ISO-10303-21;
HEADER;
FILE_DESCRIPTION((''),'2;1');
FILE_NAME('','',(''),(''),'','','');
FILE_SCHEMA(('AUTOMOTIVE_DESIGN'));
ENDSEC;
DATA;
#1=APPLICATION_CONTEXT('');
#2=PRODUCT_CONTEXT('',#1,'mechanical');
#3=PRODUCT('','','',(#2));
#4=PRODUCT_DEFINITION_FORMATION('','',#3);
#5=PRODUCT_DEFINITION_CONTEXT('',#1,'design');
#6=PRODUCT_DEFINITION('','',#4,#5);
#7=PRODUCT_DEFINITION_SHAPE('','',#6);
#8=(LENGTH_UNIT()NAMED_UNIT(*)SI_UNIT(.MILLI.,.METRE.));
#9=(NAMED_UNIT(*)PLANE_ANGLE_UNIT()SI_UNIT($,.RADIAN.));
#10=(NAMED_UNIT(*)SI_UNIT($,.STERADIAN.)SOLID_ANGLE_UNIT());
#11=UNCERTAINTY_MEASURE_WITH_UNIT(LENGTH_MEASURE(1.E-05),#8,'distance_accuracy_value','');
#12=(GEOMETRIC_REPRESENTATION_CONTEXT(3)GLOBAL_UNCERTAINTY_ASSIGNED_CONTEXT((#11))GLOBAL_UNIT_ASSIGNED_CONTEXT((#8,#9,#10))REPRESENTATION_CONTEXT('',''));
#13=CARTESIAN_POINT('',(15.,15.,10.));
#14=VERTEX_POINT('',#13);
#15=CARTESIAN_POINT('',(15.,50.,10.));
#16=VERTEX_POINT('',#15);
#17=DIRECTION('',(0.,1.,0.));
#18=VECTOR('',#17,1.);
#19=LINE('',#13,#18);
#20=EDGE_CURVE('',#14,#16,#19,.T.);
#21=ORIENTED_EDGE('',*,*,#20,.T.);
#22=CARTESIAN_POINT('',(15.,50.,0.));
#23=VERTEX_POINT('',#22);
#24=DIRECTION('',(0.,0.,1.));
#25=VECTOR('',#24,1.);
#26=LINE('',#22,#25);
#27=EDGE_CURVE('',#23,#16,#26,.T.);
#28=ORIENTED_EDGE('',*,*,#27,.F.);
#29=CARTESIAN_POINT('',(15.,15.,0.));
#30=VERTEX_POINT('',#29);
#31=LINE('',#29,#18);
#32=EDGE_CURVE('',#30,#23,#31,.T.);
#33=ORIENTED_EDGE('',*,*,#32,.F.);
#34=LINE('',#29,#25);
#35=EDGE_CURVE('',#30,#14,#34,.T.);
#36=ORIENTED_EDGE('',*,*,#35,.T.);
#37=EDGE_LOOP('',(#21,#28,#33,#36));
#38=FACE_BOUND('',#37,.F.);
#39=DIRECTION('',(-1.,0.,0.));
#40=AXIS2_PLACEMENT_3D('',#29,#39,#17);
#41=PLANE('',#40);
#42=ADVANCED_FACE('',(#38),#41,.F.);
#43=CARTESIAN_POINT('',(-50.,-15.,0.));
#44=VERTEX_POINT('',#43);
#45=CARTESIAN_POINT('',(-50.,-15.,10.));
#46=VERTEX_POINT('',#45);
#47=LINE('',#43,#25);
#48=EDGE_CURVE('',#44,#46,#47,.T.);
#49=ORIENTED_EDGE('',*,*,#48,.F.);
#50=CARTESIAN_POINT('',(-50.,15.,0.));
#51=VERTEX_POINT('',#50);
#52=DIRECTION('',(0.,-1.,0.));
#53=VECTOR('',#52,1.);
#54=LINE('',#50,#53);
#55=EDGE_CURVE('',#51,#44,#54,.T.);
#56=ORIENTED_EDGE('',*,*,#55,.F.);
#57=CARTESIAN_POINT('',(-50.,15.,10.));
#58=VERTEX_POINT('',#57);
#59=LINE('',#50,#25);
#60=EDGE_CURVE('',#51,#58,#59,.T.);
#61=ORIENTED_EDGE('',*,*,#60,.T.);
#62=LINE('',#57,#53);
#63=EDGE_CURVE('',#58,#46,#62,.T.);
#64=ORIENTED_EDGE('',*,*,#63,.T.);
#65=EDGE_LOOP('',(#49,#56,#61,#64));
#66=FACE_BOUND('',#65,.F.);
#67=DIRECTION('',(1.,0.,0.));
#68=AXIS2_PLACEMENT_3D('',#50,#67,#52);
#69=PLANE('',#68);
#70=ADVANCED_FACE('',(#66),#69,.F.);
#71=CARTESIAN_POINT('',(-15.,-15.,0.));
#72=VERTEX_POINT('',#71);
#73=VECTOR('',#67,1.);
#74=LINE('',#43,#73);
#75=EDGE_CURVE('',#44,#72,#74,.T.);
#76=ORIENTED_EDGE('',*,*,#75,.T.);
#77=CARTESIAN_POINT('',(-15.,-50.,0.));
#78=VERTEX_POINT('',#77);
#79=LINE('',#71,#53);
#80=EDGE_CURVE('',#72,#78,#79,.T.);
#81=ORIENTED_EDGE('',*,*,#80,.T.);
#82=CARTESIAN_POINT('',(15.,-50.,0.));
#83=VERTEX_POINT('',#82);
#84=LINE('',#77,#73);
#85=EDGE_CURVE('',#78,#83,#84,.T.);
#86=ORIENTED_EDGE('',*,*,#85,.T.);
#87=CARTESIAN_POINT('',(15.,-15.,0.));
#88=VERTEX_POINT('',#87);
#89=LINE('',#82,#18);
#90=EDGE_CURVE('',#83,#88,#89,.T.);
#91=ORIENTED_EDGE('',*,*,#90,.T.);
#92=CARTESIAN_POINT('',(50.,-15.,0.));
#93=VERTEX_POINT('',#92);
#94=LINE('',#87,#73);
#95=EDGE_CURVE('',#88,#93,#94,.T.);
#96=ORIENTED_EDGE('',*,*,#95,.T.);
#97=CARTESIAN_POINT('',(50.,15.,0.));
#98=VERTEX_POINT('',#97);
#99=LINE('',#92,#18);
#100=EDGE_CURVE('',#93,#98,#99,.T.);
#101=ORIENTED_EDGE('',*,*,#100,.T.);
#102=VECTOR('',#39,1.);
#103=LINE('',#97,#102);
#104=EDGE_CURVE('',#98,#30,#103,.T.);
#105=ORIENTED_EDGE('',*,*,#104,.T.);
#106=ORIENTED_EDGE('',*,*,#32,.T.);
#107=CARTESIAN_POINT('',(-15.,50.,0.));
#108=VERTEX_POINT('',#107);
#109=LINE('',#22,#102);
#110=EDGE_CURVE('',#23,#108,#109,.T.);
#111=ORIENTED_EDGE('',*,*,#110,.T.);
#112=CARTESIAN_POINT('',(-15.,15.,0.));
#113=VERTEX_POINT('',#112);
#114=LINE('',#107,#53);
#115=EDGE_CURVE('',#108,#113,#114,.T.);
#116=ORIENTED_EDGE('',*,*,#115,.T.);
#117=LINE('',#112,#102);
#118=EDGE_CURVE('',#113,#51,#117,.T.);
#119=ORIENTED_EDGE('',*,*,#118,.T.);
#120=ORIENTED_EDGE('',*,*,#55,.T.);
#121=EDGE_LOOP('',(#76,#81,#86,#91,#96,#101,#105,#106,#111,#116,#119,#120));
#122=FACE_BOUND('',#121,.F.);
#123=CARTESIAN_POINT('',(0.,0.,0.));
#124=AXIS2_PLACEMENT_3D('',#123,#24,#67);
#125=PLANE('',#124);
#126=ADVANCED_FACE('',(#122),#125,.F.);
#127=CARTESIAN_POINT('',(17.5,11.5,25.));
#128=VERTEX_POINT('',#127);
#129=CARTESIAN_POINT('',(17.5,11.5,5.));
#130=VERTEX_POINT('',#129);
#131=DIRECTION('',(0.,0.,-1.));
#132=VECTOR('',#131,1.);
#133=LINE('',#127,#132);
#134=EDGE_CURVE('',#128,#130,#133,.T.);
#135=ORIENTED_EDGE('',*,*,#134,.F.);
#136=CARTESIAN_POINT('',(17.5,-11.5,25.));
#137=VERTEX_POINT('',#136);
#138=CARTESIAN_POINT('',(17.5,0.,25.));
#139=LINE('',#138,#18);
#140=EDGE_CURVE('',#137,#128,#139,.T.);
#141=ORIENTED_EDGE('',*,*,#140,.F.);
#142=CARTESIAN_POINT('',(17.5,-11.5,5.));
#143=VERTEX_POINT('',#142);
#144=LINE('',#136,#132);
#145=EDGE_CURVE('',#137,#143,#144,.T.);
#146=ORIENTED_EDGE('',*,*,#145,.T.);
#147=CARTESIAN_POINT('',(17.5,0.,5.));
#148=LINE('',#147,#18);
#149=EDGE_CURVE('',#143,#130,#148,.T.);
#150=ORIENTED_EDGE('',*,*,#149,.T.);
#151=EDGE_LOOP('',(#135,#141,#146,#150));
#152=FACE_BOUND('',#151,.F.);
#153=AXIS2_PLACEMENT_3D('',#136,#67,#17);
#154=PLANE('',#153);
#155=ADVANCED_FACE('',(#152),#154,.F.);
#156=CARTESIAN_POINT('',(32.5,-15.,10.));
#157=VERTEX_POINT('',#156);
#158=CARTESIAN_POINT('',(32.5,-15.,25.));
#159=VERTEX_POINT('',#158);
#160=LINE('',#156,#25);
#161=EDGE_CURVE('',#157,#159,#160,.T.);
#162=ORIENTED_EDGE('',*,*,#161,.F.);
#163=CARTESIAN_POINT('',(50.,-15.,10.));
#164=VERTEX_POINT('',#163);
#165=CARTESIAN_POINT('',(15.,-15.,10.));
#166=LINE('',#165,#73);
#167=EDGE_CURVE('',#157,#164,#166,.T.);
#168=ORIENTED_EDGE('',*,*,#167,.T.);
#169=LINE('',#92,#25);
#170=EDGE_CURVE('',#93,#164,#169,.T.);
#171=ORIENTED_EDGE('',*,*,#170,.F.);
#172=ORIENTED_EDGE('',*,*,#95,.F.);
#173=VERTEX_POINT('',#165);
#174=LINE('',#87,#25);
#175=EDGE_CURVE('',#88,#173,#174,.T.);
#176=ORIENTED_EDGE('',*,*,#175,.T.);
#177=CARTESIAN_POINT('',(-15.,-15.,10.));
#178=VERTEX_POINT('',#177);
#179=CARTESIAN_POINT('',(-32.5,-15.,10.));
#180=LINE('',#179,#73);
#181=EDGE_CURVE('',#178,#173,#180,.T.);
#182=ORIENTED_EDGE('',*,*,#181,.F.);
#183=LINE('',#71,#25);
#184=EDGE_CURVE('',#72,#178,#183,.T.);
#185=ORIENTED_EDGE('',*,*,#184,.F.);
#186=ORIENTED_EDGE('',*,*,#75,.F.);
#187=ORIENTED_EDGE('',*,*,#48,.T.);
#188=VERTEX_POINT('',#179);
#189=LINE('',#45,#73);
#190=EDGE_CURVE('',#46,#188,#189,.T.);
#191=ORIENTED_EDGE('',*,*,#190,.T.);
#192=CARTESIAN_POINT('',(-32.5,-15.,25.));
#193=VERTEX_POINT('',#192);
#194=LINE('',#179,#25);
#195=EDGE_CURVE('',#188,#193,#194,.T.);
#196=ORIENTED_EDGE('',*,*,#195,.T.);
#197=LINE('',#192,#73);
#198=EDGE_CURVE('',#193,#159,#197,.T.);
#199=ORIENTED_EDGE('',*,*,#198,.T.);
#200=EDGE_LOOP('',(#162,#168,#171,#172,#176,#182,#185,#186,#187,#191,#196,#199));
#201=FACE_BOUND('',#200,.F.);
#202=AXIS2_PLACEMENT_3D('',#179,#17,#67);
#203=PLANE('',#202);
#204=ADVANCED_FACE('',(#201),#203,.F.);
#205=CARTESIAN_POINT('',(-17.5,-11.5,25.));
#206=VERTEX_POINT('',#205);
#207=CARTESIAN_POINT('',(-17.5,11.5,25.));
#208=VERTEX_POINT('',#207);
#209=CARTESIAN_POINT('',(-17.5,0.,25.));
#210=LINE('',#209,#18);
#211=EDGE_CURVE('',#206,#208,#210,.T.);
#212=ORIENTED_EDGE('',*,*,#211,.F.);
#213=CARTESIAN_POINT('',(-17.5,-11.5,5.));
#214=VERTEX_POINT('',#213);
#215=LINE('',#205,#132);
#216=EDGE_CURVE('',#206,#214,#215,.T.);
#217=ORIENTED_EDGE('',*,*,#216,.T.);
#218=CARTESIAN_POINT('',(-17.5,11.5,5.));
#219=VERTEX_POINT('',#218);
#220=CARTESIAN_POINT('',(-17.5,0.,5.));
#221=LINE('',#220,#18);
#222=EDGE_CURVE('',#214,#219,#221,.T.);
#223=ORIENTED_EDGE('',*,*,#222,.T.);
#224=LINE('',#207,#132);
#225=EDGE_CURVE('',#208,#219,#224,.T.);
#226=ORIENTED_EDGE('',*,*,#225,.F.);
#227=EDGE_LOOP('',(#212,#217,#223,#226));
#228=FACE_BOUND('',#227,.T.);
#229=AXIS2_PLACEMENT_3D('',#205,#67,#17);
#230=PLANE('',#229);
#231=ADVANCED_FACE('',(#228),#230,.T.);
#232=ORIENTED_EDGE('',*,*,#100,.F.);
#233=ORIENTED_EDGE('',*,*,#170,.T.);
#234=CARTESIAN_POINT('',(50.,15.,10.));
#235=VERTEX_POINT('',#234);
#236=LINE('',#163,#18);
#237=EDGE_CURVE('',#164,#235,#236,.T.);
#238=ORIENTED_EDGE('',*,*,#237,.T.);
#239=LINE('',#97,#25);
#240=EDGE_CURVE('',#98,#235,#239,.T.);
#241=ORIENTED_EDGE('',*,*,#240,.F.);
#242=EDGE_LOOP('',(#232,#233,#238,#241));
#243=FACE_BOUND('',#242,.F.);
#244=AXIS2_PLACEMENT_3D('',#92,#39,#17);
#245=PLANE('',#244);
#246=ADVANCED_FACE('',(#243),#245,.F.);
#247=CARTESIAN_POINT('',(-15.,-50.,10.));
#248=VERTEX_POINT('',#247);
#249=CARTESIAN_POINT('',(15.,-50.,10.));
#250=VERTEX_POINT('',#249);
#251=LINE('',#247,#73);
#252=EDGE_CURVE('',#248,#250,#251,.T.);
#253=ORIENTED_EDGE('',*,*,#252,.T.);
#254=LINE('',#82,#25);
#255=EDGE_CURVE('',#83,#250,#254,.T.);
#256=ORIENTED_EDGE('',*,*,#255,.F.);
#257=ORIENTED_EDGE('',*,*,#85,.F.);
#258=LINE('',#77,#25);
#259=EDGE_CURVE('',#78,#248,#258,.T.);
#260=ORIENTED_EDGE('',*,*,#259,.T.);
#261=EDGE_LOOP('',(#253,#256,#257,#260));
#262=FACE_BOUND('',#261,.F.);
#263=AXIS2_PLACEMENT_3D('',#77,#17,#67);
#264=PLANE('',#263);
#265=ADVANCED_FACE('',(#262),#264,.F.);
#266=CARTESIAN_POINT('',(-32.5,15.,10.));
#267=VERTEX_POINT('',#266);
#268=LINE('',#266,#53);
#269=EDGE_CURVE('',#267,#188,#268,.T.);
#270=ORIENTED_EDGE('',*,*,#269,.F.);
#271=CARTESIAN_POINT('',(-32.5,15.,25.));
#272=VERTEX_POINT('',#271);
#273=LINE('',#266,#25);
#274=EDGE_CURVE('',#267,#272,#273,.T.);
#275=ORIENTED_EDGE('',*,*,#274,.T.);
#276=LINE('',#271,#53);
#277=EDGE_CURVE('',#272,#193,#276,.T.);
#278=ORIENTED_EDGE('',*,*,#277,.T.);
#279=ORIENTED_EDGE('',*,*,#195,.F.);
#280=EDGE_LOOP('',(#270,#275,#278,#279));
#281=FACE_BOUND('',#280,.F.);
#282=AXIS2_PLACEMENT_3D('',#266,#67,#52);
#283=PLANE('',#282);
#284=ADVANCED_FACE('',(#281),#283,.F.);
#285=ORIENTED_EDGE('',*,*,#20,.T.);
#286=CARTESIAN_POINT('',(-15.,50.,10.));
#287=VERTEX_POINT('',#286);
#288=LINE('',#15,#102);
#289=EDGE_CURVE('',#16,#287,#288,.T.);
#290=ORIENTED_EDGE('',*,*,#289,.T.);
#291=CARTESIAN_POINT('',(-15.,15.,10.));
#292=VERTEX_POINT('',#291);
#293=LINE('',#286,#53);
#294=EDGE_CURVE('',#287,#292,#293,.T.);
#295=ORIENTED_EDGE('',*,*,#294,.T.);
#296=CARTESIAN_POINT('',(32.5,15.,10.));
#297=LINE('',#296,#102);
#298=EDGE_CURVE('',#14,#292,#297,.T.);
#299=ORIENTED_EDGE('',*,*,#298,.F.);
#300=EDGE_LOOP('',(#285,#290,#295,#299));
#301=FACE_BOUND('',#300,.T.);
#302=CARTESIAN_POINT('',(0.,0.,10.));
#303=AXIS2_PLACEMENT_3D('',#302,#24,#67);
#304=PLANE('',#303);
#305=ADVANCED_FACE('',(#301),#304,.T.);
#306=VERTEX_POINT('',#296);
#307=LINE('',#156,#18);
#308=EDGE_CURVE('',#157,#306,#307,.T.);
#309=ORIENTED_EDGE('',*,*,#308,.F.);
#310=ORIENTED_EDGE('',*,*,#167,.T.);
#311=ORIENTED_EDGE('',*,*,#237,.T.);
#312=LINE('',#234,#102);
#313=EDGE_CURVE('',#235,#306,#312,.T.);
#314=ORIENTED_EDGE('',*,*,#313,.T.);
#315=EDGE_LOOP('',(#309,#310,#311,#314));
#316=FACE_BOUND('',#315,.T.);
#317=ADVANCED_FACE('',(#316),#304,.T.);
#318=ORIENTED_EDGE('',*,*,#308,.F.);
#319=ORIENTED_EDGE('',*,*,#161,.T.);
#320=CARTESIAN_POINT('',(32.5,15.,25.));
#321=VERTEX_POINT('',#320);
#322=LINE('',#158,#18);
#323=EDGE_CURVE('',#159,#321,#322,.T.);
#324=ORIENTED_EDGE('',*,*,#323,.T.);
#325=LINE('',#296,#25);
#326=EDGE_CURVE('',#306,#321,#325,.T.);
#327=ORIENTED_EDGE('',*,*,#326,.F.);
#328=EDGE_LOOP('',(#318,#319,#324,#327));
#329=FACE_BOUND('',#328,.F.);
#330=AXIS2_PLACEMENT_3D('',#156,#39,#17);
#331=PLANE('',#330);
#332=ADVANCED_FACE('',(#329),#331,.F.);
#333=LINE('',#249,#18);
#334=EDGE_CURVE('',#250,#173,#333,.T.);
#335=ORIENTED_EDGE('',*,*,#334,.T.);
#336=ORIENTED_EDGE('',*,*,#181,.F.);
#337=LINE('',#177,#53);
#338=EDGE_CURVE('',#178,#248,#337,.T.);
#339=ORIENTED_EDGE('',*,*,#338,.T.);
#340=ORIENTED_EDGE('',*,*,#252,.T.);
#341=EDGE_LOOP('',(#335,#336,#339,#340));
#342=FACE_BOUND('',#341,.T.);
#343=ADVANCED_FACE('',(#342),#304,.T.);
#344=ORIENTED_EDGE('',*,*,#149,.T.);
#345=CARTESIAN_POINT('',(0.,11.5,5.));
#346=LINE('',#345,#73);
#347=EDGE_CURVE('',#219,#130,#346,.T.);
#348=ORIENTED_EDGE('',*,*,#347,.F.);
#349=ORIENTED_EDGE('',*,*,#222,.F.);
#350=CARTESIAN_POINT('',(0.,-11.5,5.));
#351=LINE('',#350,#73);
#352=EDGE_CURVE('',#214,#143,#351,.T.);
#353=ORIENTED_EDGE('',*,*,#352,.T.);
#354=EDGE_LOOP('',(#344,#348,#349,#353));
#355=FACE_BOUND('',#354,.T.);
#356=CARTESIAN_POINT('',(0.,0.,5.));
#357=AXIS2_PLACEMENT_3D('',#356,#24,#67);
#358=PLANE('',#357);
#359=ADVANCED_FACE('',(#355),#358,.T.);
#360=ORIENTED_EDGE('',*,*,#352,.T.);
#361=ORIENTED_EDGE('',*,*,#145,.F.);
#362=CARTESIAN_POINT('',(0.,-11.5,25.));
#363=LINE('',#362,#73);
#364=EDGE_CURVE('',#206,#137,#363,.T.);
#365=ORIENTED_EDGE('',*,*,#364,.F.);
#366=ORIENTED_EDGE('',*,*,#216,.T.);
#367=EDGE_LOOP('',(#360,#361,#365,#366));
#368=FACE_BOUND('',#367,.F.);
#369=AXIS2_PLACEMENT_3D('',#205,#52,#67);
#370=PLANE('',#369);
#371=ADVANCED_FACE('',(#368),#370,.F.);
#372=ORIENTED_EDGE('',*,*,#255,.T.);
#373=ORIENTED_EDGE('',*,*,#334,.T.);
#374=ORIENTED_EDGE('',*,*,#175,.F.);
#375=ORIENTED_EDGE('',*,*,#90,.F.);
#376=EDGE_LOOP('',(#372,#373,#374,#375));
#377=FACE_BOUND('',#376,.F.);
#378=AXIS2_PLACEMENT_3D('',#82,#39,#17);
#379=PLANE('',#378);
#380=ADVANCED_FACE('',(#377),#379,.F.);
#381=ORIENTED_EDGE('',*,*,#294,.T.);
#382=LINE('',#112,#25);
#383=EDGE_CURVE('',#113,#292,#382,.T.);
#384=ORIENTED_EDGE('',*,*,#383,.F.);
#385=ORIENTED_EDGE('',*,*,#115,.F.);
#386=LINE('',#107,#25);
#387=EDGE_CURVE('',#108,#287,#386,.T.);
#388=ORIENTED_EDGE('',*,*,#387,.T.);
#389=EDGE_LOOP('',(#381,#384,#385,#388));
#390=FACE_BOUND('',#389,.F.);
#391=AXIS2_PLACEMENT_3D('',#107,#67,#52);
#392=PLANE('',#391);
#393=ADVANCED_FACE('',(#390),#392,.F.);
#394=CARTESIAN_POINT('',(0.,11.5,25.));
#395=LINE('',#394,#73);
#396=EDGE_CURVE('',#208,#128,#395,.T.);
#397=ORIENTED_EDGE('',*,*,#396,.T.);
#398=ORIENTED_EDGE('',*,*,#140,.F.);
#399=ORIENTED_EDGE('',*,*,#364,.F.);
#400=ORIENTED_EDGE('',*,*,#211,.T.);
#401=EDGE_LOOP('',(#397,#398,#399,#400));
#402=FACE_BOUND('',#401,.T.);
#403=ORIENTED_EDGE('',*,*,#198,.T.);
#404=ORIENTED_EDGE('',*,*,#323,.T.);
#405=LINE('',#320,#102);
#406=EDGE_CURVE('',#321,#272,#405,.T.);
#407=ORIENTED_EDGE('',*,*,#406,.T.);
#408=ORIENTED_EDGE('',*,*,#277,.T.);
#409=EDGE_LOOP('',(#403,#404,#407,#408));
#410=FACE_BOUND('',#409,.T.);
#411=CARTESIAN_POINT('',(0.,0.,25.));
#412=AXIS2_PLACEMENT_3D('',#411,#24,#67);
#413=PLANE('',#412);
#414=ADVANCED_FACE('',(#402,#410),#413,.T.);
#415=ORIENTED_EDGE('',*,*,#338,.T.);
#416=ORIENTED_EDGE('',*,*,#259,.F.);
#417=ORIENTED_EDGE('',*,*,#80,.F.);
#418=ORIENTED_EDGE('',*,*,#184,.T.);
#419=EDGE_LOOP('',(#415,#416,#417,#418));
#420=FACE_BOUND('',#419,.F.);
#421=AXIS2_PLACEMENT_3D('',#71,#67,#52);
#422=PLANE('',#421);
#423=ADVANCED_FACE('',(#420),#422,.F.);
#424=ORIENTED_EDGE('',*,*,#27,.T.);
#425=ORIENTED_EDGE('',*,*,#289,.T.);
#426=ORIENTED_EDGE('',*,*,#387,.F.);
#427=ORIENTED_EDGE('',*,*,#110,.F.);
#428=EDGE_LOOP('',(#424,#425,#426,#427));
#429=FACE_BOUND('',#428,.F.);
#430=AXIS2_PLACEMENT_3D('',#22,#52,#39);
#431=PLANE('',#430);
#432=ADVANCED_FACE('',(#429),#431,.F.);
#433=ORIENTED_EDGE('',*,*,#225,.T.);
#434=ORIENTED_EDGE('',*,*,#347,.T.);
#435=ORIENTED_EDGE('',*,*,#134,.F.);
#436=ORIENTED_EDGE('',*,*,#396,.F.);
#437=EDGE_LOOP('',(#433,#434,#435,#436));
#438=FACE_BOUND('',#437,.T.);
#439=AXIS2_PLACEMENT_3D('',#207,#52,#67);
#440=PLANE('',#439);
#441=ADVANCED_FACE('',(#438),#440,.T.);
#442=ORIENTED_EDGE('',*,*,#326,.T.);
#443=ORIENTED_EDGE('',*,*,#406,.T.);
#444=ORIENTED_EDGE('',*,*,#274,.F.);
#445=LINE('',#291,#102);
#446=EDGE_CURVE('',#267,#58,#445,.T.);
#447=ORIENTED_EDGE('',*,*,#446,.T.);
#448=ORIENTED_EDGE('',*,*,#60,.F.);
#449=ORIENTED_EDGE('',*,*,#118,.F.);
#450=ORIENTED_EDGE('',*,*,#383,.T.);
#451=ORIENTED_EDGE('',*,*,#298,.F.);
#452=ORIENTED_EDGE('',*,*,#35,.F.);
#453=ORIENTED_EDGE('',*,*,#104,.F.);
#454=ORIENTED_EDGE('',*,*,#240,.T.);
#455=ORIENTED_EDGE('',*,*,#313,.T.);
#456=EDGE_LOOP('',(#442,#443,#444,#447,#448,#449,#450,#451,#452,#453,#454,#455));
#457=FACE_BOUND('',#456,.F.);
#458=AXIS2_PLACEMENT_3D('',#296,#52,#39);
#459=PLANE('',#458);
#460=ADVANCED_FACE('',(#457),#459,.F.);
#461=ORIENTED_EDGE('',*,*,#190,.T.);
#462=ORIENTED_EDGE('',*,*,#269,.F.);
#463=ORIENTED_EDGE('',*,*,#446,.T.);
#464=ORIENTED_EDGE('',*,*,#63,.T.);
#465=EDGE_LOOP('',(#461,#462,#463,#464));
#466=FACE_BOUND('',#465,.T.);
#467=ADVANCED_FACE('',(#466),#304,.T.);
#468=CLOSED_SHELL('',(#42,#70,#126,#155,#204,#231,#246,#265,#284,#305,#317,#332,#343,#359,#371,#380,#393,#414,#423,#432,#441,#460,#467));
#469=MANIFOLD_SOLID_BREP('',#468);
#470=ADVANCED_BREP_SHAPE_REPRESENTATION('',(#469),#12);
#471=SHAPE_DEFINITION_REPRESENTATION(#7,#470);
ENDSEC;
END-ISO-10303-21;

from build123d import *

# Parameters (mm, degrees)
F1_DEPTH = 10
F3_DEPTH = 15
F4_W     = 35
F4_H     = 23
F5_DEPTH = 20


with BuildPart() as f1:
    # F0 (on Top) → F1 (new body)
    with BuildSketch(Plane.XY):
        Polygon((15, 15), (15, 50), (-15, 50), (-15, 15), (-50, 15), (-50, -15), (-15, -15), (-15, -50), (15, -50), (15, -15), (50, -15), (50, 15), align=None)
    extrude(amount=F1_DEPTH)

    # F2 (on face) → F3 (join)
    with BuildSketch(Plane.XY.offset(10)):
        Polygon((32.5, 15), (15, 15), (-15, 15), (-32.5, 15), (-32.5, -15), (-15, -15), (15, -15), (32.5, -15), align=None)
    extrude(amount=F3_DEPTH)

    # F4 (on face) → F5 (cut)
    with BuildSketch(Plane.XY.offset(25)):
        Rectangle(F4_W, F4_H)
    extrude(amount=-F5_DEPTH, mode=Mode.SUBTRACT)


solid = f1.part
